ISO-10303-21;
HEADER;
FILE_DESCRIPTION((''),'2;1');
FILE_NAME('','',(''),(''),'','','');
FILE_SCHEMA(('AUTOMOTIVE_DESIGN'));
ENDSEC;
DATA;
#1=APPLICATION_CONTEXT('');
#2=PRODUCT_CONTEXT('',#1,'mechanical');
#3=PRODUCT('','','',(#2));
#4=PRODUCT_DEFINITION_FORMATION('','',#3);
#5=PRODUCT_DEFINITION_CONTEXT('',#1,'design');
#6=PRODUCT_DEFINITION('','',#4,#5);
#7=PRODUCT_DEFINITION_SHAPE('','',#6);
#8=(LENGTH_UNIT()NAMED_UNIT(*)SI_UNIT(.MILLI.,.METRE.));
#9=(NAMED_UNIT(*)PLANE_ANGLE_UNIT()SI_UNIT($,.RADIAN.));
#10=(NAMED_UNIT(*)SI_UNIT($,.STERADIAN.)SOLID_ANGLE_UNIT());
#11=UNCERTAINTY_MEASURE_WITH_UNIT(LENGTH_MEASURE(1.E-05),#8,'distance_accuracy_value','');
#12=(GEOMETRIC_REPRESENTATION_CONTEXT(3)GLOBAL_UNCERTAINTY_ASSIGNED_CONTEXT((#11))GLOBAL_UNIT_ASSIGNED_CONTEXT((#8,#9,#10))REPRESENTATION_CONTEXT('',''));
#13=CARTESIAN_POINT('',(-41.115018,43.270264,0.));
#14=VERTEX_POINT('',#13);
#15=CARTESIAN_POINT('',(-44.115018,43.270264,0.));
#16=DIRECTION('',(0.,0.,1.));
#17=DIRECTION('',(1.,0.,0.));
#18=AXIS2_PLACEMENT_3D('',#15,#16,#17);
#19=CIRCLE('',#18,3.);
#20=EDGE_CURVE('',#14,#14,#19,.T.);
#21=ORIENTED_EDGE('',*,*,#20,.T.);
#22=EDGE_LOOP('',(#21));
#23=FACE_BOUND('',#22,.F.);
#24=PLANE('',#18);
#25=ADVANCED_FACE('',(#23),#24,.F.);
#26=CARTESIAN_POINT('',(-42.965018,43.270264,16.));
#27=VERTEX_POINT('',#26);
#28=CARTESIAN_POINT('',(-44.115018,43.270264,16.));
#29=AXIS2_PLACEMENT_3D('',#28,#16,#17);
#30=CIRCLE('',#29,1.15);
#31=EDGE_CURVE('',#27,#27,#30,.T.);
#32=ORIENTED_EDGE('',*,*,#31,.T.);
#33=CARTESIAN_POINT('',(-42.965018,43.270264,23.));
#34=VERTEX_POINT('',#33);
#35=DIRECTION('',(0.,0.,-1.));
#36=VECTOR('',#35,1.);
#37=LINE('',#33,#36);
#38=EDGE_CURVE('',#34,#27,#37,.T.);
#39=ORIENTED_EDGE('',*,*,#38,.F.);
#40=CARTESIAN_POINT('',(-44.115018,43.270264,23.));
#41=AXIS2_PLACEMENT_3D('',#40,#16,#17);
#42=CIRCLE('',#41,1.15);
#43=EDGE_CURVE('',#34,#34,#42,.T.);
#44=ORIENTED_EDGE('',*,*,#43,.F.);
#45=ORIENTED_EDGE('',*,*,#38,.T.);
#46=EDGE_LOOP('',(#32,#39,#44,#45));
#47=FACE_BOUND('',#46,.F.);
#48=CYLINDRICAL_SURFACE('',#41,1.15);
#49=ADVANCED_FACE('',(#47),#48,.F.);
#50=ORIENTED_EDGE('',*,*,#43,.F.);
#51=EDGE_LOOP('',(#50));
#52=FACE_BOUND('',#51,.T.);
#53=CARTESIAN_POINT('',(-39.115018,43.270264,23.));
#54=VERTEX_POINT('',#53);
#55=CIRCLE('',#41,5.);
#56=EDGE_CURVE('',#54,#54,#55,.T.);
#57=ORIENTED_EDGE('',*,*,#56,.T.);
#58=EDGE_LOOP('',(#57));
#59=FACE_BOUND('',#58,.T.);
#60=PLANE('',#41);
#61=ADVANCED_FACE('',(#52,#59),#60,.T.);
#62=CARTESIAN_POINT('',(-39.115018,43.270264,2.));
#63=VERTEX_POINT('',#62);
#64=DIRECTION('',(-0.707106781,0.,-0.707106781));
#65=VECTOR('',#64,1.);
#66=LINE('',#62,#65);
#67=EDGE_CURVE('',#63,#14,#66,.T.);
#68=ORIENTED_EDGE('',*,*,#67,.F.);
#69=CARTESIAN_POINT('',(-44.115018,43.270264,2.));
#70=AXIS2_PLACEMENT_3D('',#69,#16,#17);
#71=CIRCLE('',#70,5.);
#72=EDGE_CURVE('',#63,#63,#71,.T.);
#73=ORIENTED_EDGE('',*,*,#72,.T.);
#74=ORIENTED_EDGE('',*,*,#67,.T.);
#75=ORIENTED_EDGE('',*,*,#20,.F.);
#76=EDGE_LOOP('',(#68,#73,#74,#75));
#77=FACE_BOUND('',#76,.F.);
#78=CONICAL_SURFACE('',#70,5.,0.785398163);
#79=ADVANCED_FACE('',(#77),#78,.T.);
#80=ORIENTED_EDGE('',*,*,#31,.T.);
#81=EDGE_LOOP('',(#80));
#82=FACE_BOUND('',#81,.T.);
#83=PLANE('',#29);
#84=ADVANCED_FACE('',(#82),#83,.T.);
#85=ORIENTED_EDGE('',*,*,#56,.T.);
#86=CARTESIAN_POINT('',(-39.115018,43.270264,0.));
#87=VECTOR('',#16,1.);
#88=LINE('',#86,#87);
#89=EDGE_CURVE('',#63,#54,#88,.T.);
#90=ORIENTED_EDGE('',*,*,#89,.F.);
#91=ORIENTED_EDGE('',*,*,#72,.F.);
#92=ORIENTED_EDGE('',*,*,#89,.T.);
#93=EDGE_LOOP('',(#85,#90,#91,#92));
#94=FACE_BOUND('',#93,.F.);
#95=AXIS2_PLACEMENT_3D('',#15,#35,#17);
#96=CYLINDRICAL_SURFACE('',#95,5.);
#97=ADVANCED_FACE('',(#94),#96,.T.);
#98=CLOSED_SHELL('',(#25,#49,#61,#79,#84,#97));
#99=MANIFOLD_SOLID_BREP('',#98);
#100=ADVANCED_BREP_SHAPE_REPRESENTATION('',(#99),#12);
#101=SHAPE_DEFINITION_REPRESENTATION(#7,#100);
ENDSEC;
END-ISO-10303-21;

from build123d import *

# Parameters (mm, degrees)
F0_R     = 5
F0_R_2   = 2.5
F1_DEPTH = 23
F2_R     = 1.15
F3_DEPTH = 7
F4_SIZE  = 2


with BuildPart() as f1:
    # F0 (on Top) → F1 (new body)
    with BuildSketch(Plane.XY):
        with Locations((-44.115018, 43.270264)):
            Circle(F0_R)
        with Locations((-44.115018, 43.270264)):
            Circle(F0_R_2, mode=Mode.SUBTRACT)
        with Locations((-44.115018, 43.270264)):
            Circle(F0_R_2)
    extrude(amount=F1_DEPTH)

    # F2 (on face) → F3 (cut)
    with BuildSketch(Plane.XY.offset(23)):
        with Locations((-44.115018, 43.270264)):
            Circle(F2_R)
    extrude(amount=-F3_DEPTH, mode=Mode.SUBTRACT)

    # F4
    f4_edges = [f1.edges().sort_by_distance(p)[0] for p in [
        (-49.115018, 43.270264, 0),
    ]]
    chamfer(f4_edges, length=F4_SIZE)


solid = f1.part
